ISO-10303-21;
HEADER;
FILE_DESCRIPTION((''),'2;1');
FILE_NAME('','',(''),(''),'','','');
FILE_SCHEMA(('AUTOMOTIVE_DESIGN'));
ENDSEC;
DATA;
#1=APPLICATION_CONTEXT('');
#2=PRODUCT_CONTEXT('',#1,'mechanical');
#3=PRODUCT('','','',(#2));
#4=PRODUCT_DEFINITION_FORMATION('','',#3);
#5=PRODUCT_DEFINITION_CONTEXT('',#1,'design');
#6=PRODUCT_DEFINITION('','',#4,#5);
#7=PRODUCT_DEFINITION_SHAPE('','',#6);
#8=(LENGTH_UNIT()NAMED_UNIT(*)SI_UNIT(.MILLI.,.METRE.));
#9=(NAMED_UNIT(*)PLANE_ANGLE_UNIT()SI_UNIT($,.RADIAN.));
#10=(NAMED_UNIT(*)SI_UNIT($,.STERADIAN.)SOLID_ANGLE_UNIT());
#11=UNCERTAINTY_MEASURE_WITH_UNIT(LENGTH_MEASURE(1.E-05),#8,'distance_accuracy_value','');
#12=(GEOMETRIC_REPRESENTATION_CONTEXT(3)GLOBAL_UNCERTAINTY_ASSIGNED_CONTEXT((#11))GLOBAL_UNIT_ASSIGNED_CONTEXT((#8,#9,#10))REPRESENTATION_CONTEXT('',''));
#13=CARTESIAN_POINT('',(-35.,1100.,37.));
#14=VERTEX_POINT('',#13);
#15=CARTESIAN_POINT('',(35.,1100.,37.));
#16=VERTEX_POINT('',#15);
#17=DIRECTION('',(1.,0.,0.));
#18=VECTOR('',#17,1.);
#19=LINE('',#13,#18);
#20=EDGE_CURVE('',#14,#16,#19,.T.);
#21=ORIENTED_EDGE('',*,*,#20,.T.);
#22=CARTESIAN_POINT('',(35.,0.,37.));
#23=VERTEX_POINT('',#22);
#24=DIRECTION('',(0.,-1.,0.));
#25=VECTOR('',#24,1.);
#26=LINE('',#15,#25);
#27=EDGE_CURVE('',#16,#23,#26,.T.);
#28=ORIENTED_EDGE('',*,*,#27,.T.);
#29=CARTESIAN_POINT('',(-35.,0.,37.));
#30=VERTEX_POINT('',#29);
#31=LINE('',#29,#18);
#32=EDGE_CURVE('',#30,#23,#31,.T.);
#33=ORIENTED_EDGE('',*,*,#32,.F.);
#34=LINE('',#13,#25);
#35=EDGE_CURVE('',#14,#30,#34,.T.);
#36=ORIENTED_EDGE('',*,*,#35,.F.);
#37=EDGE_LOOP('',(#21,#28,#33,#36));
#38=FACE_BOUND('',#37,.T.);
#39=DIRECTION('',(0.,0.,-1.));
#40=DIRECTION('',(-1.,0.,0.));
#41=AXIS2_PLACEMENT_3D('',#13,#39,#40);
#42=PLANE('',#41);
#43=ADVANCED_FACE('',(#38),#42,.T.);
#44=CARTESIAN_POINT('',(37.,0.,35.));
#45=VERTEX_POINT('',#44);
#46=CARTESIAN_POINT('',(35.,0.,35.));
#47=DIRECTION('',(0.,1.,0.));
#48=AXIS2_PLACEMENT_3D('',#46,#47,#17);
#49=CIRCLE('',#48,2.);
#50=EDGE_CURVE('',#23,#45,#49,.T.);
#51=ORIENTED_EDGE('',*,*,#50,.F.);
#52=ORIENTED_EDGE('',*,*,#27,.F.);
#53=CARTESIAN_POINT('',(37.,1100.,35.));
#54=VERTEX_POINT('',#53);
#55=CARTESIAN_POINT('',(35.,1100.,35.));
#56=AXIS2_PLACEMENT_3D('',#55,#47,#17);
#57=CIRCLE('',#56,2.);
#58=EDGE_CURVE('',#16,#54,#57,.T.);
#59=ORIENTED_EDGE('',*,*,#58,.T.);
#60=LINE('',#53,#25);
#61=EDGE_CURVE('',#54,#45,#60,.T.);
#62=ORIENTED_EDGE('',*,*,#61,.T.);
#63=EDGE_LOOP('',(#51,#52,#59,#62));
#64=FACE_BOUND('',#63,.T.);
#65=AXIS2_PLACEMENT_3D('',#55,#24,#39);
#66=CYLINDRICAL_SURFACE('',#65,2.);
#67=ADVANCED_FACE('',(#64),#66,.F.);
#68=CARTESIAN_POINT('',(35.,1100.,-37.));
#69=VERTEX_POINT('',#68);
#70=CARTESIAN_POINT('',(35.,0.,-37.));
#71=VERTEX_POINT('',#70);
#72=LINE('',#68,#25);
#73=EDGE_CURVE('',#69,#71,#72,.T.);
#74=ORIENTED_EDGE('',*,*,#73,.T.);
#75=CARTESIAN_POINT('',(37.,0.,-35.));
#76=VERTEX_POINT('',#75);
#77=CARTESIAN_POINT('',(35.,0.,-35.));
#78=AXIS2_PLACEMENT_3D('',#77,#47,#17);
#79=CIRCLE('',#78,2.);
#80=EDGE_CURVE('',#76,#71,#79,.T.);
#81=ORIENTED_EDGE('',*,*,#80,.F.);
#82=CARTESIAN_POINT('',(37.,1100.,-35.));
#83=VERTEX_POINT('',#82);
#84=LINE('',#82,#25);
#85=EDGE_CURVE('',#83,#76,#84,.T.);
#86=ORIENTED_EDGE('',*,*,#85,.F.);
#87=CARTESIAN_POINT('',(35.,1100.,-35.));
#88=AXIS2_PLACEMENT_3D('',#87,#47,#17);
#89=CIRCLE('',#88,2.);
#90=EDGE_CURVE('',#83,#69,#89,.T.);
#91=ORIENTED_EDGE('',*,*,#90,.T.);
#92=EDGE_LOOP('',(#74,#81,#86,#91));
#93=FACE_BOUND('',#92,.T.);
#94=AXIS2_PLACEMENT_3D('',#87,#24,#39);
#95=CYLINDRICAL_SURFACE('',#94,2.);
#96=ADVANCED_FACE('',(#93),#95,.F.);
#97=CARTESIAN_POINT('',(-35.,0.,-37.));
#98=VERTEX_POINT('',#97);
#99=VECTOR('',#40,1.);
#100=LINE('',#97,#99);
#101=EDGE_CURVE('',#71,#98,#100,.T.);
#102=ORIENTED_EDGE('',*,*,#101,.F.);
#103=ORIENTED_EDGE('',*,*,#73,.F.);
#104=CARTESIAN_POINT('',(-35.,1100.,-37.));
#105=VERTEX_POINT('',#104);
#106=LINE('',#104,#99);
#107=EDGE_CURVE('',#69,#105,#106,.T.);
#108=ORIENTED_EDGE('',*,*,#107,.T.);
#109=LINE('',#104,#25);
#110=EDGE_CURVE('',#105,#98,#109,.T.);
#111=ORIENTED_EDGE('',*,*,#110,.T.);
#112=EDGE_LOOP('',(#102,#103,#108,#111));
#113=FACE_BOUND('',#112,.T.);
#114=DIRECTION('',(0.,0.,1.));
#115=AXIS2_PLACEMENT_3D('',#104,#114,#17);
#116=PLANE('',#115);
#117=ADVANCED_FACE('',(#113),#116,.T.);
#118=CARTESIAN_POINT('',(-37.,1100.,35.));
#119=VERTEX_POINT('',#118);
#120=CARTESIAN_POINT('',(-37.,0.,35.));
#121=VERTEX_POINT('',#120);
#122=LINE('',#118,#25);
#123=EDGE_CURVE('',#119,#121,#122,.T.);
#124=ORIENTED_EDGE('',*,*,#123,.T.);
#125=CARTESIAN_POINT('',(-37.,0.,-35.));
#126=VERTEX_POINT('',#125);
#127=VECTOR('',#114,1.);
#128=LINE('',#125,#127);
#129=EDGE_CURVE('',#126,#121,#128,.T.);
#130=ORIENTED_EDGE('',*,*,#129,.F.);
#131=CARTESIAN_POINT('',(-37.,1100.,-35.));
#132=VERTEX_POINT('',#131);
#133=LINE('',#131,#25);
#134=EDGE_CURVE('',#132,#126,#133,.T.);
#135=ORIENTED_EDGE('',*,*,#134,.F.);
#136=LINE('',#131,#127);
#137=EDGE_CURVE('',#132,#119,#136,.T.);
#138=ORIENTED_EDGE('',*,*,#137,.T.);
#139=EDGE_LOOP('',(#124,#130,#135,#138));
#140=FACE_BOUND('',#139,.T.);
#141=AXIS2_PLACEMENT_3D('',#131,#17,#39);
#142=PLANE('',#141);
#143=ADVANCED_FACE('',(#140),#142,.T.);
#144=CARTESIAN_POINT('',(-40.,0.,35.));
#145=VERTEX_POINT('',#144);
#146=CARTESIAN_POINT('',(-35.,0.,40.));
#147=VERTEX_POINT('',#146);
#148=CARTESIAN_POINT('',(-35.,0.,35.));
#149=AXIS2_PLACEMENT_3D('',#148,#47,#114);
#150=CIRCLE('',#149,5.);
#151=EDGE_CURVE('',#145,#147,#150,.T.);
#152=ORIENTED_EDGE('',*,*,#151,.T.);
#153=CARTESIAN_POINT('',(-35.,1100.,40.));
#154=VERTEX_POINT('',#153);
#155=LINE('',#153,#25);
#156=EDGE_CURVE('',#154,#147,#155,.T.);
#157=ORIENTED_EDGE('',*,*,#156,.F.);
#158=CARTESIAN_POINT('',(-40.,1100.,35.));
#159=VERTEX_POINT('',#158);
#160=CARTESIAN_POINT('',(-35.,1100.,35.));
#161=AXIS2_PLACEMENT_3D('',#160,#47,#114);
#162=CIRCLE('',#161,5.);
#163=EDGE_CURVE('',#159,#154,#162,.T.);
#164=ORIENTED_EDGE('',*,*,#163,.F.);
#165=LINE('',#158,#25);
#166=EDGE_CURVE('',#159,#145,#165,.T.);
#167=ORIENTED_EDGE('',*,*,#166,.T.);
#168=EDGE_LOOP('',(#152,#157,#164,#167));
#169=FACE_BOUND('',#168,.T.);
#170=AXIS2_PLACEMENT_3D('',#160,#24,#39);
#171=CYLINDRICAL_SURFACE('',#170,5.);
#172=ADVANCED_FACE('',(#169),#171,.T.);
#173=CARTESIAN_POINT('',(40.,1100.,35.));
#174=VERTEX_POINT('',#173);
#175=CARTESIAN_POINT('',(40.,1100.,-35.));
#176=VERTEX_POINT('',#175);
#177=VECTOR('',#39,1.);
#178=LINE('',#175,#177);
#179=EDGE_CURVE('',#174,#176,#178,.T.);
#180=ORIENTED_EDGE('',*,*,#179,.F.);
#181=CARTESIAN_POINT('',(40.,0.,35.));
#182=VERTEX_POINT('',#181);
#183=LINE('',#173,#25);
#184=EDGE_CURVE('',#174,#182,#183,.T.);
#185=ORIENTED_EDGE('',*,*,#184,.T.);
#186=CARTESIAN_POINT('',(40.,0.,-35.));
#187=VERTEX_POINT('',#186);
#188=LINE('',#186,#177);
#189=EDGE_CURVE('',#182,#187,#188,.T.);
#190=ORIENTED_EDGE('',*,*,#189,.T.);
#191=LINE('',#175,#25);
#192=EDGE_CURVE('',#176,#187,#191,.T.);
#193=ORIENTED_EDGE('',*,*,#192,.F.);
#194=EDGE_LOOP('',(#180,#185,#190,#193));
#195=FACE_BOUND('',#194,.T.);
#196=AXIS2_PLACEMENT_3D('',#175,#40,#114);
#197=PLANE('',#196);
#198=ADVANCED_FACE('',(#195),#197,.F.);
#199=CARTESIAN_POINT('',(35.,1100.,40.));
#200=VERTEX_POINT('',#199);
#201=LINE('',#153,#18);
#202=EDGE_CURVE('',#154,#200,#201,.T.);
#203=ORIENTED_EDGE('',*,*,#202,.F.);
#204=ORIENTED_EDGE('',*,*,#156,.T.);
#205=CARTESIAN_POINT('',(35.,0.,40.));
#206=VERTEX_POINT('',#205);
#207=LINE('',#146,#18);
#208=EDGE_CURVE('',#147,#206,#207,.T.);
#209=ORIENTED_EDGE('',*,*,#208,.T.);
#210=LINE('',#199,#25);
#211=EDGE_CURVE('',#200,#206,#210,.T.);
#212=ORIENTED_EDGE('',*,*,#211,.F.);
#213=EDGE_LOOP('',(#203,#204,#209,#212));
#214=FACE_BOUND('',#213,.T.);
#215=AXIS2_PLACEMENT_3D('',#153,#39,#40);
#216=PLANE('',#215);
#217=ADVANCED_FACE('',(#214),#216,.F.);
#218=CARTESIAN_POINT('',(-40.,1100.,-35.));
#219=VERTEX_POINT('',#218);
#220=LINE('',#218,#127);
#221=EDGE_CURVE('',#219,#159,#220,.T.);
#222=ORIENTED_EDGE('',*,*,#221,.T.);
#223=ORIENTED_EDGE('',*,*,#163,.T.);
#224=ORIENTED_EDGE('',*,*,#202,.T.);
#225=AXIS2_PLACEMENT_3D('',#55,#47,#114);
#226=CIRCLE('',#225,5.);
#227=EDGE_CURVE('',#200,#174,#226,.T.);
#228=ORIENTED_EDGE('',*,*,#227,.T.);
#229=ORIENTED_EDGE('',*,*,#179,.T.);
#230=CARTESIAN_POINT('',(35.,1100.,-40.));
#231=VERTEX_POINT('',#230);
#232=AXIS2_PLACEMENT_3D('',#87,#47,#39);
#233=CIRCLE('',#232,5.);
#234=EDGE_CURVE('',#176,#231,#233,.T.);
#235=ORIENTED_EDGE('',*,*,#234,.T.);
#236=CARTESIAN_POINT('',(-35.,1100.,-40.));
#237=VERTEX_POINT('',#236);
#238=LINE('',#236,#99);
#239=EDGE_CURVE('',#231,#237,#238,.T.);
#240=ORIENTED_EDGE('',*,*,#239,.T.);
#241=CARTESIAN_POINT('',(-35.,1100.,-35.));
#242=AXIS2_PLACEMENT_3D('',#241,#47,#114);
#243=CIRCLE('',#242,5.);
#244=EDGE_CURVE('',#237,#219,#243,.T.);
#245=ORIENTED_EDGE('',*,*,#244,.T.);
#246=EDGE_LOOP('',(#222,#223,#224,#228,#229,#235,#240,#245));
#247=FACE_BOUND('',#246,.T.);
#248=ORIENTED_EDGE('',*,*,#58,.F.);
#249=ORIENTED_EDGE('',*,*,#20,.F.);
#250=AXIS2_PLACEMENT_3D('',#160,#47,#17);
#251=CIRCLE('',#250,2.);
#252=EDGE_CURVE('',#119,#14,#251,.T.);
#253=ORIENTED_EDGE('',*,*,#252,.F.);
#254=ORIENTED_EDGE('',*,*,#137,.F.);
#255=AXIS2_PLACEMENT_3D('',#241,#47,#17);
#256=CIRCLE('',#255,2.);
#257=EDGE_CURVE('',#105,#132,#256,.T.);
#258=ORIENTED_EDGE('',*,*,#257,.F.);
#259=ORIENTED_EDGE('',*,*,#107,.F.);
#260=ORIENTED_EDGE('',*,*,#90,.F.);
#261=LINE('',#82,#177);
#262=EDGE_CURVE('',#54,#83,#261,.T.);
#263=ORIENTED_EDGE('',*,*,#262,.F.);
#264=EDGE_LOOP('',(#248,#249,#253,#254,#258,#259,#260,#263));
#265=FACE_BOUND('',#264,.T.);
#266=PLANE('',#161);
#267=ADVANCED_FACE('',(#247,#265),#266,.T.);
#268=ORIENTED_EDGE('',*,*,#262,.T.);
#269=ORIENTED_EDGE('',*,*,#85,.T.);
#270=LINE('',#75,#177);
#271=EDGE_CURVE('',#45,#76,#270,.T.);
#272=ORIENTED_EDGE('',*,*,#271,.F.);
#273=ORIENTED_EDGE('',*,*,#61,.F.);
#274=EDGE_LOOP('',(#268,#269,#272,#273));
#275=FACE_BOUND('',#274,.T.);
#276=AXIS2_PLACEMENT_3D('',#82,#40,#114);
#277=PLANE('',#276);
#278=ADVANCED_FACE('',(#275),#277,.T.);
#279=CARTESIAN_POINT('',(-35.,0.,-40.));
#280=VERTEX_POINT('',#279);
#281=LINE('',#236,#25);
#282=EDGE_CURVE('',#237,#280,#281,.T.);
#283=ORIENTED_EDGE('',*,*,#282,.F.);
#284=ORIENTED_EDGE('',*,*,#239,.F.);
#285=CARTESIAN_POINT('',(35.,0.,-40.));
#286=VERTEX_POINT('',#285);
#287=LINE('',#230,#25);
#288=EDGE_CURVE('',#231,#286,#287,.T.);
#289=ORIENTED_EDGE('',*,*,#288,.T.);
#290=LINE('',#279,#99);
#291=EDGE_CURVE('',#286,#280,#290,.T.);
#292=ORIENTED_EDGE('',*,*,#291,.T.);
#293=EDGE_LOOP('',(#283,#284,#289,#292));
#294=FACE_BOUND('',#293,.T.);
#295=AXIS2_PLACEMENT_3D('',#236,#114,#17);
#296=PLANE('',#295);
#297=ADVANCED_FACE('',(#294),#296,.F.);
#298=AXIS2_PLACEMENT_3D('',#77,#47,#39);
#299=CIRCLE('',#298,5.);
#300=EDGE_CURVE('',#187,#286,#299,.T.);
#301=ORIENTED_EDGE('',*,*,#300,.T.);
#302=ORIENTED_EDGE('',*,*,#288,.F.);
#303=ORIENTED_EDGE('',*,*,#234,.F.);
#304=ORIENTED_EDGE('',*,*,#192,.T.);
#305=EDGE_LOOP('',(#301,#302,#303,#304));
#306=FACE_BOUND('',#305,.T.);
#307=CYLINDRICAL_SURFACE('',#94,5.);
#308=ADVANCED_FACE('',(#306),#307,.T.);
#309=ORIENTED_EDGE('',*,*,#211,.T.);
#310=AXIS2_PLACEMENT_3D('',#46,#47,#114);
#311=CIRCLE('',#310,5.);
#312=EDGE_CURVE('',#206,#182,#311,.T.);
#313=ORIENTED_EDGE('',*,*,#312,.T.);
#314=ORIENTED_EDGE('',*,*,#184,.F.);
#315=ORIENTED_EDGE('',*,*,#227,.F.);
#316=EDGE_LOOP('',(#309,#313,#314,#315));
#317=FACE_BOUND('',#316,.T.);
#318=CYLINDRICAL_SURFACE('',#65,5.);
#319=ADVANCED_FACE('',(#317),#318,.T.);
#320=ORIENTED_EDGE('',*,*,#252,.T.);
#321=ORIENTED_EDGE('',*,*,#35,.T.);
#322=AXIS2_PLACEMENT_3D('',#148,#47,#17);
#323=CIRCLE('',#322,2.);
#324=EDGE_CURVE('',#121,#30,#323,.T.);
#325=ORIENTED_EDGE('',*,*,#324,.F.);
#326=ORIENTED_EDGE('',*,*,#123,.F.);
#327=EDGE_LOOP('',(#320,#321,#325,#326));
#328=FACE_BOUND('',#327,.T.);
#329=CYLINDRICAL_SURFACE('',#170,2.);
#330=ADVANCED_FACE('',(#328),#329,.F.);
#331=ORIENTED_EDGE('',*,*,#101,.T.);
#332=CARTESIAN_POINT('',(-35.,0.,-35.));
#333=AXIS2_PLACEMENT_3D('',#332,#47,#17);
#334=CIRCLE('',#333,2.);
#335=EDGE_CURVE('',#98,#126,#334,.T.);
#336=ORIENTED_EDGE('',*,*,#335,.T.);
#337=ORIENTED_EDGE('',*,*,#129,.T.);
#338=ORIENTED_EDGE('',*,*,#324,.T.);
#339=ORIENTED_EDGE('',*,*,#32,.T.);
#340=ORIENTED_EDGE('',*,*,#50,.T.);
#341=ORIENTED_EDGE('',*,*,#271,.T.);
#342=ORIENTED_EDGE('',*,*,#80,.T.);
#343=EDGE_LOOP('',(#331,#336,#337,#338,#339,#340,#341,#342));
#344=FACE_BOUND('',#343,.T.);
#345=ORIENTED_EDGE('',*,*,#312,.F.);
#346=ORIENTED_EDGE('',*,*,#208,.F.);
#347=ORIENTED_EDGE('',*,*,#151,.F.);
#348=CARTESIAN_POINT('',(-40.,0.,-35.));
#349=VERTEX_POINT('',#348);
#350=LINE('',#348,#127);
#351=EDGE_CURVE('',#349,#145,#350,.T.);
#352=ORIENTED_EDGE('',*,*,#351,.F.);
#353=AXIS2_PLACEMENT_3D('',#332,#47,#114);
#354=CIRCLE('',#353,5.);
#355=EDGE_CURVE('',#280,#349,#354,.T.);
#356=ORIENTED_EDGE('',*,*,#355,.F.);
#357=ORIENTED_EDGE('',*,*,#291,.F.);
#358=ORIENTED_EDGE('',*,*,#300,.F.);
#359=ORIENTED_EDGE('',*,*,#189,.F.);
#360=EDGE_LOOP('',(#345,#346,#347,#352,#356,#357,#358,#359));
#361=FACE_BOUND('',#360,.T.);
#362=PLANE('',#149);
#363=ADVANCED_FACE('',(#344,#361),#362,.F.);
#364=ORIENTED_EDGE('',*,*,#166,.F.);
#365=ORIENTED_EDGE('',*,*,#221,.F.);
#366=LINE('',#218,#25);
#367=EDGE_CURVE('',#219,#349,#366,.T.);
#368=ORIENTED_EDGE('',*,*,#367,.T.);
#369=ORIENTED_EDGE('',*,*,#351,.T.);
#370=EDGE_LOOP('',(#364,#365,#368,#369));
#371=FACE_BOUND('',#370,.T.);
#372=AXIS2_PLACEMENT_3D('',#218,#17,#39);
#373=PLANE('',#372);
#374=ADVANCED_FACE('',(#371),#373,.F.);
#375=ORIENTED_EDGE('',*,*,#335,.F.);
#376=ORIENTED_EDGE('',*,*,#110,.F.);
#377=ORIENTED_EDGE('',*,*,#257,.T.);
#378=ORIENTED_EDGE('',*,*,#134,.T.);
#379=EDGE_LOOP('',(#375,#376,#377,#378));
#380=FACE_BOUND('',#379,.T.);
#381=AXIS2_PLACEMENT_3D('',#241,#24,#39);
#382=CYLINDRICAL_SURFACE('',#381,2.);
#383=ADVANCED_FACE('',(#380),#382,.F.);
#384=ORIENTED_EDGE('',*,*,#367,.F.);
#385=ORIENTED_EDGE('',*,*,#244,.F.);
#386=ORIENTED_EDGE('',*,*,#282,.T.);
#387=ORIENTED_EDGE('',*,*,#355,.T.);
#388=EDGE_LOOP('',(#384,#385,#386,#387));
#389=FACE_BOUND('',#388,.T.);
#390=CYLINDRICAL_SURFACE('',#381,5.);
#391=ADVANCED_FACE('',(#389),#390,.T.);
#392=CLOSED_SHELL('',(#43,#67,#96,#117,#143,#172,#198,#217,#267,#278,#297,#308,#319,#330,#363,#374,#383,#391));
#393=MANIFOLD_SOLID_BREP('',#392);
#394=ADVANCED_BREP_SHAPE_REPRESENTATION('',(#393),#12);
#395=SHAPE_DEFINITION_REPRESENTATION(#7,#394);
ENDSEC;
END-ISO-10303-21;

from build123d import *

# Parameters (mm, degrees)
EXTRUDE_1_DEPTH = 1100


with BuildPart() as part:
    # Эскиз1 → Вытянуть-Тонкостенный1 (new body)
    with BuildSketch(Plane(origin=(0, 0, 0), x_dir=(1, 0, 0), z_dir=(0, 1, 0))):
        with BuildLine():
            Line((-35, 40), (35, 40))
            ThreePointArc((35, 40), (38.535533906, 38.535533906), (40, 35))
            Line((40, 35), (40, -35))
            ThreePointArc((40, -35), (38.535533906, -38.535533906), (35, -40))
            Line((35, -40), (-35, -40))
            ThreePointArc((-35, -40), (-38.535533906, -38.535533906), (-40, -35))
            Line((-40, -35), (-40, 35))
            ThreePointArc((-40, 35), (-38.535533906, 38.535533906), (-35, 40))
        make_face()
        with BuildLine():
            Line((-35, 37), (35, 37))
            ThreePointArc((35, 37), (36.414213562, 36.414213562), (37, 35))
            Line((37, 35), (37, -35))
            ThreePointArc((37, -35), (36.414213562, -36.414213562), (35, -37))
            Line((35, -37), (-35, -37))
            ThreePointArc((-35, -37), (-36.414213562, -36.414213562), (-37, -35))
            Line((-37, -35), (-37, 35))
            ThreePointArc((-37, 35), (-36.414213562, 36.414213562), (-35, 37))
        make_face(mode=Mode.SUBTRACT)
    extrude(amount=EXTRUDE_1_DEPTH)


solid = part.part
